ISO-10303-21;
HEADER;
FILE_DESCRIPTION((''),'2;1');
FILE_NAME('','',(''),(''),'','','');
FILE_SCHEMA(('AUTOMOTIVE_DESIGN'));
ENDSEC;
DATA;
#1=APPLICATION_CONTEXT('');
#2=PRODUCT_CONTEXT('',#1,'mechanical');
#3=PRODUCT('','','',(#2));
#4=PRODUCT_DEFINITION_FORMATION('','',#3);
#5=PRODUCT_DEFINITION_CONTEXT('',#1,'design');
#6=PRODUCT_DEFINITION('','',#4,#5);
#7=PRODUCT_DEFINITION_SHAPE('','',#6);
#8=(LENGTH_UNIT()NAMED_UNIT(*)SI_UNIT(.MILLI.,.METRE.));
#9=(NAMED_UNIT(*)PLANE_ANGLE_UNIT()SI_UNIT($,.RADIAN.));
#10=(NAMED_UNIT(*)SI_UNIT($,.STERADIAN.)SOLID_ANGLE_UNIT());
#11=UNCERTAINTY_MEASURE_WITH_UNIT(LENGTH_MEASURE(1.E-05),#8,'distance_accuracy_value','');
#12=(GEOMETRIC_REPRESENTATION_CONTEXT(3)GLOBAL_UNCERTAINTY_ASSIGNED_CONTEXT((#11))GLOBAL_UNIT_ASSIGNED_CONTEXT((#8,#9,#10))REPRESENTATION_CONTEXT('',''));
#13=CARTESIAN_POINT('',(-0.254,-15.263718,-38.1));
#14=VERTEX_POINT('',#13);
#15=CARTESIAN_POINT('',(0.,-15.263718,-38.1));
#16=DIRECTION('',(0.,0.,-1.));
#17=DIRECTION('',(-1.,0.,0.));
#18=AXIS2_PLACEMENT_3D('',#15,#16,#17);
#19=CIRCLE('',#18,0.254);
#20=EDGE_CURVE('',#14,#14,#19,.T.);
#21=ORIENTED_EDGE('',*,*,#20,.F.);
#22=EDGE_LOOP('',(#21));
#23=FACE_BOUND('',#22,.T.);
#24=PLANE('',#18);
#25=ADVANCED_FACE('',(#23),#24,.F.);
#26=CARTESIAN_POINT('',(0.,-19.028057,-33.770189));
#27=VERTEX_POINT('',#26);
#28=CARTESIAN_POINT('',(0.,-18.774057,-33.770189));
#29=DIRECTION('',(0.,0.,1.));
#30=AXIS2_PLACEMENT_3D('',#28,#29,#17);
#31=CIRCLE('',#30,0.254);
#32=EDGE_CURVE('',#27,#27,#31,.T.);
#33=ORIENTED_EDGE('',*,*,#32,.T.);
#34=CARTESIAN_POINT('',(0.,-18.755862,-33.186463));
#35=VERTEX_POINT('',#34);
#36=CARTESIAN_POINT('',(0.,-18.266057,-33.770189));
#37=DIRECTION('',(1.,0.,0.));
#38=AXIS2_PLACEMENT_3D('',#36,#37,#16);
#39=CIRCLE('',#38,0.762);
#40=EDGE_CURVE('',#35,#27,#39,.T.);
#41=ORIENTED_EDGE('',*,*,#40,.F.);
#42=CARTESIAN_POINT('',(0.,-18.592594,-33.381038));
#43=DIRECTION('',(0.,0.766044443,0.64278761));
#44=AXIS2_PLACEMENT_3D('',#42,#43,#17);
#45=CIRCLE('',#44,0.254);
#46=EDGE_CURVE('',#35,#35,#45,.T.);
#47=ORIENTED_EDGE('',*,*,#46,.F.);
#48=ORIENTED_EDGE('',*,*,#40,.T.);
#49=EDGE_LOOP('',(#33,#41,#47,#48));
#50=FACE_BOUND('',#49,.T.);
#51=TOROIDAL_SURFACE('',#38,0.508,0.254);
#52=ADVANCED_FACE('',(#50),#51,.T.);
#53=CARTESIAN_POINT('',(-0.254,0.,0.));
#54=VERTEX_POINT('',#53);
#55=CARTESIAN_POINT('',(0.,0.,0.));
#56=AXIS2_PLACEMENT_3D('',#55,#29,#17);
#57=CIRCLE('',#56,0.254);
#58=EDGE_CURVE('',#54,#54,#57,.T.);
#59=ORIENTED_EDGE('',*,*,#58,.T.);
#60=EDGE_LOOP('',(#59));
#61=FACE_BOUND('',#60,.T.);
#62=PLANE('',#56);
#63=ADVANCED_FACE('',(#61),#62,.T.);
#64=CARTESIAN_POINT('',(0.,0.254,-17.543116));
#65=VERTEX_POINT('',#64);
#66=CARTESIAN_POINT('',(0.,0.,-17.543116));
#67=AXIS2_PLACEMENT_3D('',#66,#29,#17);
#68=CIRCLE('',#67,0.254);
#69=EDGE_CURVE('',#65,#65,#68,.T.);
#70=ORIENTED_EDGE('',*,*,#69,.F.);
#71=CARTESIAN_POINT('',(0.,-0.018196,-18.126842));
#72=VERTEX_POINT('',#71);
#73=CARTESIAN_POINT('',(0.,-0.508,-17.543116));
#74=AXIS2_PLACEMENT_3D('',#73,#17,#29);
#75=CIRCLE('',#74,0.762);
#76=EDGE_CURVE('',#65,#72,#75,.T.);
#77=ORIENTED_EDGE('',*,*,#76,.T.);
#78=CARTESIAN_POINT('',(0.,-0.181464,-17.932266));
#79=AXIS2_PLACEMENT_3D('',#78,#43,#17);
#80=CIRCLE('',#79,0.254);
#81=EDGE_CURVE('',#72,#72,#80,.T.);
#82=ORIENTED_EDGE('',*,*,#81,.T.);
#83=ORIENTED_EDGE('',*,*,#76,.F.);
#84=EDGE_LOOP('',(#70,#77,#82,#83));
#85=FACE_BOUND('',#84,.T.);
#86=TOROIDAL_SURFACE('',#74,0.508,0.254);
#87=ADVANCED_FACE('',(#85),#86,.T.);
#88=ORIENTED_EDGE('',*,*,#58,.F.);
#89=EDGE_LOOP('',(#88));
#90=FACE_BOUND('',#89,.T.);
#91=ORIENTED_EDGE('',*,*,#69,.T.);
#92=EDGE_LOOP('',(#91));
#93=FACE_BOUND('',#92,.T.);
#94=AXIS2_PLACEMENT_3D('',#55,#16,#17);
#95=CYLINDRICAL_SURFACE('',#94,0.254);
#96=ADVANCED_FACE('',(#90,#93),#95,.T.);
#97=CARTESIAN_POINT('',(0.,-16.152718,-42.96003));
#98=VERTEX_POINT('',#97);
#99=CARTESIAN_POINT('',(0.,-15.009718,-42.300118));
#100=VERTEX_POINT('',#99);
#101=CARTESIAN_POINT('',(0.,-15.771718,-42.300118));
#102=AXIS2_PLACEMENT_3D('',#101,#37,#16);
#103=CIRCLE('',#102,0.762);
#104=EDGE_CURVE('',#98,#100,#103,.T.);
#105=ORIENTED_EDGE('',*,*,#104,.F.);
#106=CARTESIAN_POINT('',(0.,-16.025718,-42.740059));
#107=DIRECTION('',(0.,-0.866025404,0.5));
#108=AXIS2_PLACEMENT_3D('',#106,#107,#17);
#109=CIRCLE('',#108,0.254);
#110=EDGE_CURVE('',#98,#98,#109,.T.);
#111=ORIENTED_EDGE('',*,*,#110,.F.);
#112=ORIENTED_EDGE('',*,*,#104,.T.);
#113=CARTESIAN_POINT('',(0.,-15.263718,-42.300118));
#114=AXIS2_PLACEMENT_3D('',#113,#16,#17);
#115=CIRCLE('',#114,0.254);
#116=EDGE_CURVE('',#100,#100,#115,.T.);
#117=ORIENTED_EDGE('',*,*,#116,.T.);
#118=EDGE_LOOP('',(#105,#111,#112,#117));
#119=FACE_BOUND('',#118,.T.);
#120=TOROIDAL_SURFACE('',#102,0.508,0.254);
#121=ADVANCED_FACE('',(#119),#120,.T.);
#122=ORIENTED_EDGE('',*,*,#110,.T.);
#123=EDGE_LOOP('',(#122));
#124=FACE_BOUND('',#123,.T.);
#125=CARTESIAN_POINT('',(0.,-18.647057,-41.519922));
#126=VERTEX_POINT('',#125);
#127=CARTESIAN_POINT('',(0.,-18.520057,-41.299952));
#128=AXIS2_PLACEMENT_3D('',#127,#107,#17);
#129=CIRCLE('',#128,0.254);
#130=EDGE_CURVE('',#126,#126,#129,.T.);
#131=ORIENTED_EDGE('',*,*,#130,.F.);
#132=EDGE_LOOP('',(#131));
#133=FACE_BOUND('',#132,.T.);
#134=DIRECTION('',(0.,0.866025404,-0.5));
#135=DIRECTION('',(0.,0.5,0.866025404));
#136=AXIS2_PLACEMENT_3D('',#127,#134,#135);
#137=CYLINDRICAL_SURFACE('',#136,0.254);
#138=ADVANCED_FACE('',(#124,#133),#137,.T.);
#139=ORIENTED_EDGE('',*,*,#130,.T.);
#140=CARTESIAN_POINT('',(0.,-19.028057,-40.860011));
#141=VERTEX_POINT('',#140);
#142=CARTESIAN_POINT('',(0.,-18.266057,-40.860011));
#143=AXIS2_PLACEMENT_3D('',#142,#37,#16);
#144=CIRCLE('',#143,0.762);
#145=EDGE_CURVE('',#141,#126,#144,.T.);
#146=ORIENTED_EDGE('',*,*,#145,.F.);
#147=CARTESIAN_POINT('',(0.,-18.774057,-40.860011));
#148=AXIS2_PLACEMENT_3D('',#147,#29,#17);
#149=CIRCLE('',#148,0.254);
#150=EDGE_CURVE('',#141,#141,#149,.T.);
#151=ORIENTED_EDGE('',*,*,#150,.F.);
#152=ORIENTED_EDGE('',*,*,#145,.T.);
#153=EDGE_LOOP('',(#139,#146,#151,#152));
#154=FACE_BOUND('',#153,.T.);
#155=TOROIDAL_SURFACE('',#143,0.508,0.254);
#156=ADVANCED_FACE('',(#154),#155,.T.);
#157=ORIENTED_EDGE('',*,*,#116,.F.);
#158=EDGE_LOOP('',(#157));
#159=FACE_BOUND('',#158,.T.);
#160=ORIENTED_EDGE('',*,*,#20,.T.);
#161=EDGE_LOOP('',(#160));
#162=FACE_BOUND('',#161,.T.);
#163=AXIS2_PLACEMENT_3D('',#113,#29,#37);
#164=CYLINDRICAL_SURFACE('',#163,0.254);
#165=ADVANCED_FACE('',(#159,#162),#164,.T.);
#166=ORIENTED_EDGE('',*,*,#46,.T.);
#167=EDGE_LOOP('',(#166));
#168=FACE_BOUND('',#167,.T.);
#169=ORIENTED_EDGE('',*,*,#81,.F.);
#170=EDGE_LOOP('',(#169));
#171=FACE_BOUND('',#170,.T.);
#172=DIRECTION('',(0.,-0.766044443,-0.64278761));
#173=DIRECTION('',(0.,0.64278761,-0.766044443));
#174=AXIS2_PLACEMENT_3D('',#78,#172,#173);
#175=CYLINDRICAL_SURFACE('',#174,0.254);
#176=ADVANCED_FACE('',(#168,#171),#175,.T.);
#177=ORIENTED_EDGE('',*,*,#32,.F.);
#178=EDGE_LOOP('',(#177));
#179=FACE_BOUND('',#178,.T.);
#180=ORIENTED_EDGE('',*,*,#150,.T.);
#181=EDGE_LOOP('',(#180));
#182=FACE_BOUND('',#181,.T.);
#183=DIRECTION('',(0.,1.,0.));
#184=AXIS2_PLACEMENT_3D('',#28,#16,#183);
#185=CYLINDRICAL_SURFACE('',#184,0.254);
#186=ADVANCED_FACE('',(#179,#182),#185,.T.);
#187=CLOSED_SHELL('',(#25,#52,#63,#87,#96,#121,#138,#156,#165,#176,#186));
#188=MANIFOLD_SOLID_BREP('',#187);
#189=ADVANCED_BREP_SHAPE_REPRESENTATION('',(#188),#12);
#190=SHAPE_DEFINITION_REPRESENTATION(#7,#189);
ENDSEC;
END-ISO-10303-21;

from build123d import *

# Parameters (mm, degrees)
SWEEP1_PROFILE_R = 0.254


with BuildPart() as part:
    # Sweep1: sweep along a path in Sketch1
    with BuildLine(Plane(origin=(0, 0, 0), x_dir=(0, 0, -1), z_dir=(1, 0, 0))) as sweep1_path:
        Line((0, 0), (17.54311571, 0))
        ThreePointArc((17.54311571, 0), (17.757805787, -0.047595644), (17.932266287, -0.181463894))
        Line((17.932266287, -0.181463894), (33.38103842, -18.592593586))
        ThreePointArc((33.38103842, -18.592593586), (33.55549892, -18.726461836), (33.770188997, -18.77405748))
        Line((33.770188997, -18.77405748), (40.86001077, -18.77405748))
        ThreePointArc((40.86001077, -18.77405748), (41.11401077, -18.705998385), (41.299951675, -18.52005748))
        Line((41.299951675, -18.52005748), (42.740059095, -16.025718261))
        ThreePointArc((42.740059095, -16.025718261), (42.740059095, -15.517718261), (42.30011819, -15.263718261))
        Line((42.30011819, -15.263718261), (38.1, -15.263718261))
    # Sweep1 profile (on start of the path) → Sweep1 (sweep)
    with BuildSketch(Plane(origin=(0, 0, 0), x_dir=(-1, 0, 0), z_dir=(0, 0, -1))):
        Circle(SWEEP1_PROFILE_R)
    sweep(path=sweep1_path.line)


solid = part.part
